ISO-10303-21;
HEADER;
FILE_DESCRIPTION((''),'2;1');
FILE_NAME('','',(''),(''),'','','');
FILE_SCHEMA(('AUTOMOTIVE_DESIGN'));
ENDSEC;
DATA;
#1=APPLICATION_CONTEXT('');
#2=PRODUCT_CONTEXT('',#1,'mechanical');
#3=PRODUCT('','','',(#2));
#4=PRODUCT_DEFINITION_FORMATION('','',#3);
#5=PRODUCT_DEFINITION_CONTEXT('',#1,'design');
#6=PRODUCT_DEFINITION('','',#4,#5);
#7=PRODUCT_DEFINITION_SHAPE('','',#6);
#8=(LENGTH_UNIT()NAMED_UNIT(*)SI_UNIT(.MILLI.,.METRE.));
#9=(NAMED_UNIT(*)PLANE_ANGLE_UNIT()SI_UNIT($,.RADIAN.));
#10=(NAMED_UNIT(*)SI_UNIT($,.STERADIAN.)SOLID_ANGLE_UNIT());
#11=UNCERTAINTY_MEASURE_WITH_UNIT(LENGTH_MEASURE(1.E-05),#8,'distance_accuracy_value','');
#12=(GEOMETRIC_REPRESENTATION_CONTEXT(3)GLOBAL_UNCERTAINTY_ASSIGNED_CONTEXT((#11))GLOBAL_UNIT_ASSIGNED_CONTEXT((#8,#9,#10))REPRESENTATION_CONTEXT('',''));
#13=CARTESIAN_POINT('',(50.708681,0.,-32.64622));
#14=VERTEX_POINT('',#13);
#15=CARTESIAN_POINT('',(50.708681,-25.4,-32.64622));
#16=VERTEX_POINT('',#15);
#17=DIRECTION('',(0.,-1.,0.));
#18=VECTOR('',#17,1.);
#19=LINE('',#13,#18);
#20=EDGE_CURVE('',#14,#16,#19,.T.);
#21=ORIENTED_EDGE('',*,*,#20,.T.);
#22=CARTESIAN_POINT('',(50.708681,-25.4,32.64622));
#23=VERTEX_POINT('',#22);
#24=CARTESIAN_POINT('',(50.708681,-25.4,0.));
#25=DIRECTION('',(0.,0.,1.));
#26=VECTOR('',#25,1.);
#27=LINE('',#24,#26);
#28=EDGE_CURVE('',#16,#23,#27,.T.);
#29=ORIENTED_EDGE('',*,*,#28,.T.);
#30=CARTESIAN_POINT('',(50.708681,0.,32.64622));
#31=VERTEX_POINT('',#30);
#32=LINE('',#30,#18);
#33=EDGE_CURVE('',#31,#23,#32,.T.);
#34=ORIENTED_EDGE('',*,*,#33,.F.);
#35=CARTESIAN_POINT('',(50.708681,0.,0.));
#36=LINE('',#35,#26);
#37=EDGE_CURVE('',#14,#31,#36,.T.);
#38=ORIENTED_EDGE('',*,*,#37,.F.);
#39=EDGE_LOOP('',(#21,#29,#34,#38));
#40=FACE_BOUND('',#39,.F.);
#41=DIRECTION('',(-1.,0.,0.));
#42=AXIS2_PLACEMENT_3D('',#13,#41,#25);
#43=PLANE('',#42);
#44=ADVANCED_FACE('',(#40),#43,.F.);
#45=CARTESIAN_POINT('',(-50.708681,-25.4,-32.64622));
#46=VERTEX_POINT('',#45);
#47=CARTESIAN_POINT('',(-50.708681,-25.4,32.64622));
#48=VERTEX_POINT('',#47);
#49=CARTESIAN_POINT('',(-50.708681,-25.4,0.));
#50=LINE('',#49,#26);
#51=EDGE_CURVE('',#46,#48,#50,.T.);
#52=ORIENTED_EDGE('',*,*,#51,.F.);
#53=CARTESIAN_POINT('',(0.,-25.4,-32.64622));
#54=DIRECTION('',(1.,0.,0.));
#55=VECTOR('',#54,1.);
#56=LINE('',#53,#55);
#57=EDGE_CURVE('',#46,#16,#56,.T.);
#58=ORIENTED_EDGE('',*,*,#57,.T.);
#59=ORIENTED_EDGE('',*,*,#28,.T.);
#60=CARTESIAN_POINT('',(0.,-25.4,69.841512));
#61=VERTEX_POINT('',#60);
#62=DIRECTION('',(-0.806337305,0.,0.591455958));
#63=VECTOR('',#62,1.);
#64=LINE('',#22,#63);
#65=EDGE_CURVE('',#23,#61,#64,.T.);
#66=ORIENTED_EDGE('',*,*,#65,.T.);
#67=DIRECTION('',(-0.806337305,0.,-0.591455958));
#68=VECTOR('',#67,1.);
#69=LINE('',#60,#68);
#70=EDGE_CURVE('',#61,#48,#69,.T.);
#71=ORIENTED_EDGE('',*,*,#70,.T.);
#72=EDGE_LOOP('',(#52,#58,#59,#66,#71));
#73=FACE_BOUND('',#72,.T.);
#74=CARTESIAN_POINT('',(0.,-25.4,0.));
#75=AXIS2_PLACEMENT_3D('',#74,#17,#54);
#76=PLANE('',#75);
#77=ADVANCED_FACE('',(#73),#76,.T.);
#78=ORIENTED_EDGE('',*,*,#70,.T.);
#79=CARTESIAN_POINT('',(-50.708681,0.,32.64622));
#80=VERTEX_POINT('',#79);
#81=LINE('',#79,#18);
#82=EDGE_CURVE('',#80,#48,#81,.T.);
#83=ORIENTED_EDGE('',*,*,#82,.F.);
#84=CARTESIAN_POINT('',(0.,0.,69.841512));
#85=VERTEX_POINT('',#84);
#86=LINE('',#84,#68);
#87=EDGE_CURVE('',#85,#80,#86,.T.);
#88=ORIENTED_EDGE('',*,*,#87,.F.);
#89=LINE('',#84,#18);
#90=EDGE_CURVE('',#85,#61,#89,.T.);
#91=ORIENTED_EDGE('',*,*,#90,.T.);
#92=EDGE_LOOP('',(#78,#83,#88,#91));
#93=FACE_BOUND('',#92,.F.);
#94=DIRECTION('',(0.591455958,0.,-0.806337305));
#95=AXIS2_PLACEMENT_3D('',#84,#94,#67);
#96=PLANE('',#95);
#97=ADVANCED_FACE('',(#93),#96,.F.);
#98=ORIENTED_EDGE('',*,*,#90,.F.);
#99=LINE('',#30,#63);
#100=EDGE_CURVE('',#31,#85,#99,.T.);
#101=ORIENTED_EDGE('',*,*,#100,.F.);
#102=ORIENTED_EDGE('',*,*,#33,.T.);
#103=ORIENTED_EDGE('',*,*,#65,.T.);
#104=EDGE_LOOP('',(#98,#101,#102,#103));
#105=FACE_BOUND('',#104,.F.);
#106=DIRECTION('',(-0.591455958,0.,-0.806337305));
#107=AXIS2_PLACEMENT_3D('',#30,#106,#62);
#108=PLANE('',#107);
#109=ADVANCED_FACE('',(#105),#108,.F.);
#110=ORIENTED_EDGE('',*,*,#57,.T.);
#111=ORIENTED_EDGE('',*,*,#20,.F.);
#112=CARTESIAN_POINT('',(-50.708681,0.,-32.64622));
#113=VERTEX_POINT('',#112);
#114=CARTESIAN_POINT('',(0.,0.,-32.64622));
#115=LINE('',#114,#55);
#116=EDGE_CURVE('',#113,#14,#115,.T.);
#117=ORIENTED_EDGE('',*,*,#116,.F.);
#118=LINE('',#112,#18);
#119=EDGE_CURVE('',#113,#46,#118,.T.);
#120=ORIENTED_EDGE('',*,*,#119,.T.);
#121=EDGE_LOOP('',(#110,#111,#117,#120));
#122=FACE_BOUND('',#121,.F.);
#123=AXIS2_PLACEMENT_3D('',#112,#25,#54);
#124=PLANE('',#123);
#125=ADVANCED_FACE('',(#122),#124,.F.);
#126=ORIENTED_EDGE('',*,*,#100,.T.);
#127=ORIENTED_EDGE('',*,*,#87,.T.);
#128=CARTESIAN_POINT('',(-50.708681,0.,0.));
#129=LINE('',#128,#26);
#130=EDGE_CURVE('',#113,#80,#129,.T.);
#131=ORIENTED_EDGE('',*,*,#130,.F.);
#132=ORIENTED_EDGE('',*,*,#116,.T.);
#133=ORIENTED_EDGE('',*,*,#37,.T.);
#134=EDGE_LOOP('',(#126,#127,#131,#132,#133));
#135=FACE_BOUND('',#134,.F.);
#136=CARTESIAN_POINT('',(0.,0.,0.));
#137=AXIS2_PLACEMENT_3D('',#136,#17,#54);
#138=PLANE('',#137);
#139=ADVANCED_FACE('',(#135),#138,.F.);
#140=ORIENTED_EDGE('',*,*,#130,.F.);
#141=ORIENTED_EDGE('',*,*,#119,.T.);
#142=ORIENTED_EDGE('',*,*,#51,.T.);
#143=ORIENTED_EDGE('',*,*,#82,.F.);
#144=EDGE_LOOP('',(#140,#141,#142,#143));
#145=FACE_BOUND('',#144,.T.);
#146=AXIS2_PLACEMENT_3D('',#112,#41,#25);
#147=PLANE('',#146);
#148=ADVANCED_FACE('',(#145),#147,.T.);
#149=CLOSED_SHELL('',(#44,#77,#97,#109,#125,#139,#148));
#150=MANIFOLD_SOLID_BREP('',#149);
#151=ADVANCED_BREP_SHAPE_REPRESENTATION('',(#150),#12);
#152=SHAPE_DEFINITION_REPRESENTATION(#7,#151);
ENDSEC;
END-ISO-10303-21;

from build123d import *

# Parameters (mm, degrees)
F0_W     = 101.417362
F0_H     = 65.29244
F1_DEPTH = 25.4


with BuildPart() as f1:
    # F0 (on Front) → F1 (new body)
    with BuildSketch(Plane.XZ):
        Rectangle(F0_W, F0_H)
        Polygon((-50.708681, 32.64622), (50.708681, 32.64622), (0, 69.841512), align=None)
    extrude(amount=F1_DEPTH)


solid = f1.part
